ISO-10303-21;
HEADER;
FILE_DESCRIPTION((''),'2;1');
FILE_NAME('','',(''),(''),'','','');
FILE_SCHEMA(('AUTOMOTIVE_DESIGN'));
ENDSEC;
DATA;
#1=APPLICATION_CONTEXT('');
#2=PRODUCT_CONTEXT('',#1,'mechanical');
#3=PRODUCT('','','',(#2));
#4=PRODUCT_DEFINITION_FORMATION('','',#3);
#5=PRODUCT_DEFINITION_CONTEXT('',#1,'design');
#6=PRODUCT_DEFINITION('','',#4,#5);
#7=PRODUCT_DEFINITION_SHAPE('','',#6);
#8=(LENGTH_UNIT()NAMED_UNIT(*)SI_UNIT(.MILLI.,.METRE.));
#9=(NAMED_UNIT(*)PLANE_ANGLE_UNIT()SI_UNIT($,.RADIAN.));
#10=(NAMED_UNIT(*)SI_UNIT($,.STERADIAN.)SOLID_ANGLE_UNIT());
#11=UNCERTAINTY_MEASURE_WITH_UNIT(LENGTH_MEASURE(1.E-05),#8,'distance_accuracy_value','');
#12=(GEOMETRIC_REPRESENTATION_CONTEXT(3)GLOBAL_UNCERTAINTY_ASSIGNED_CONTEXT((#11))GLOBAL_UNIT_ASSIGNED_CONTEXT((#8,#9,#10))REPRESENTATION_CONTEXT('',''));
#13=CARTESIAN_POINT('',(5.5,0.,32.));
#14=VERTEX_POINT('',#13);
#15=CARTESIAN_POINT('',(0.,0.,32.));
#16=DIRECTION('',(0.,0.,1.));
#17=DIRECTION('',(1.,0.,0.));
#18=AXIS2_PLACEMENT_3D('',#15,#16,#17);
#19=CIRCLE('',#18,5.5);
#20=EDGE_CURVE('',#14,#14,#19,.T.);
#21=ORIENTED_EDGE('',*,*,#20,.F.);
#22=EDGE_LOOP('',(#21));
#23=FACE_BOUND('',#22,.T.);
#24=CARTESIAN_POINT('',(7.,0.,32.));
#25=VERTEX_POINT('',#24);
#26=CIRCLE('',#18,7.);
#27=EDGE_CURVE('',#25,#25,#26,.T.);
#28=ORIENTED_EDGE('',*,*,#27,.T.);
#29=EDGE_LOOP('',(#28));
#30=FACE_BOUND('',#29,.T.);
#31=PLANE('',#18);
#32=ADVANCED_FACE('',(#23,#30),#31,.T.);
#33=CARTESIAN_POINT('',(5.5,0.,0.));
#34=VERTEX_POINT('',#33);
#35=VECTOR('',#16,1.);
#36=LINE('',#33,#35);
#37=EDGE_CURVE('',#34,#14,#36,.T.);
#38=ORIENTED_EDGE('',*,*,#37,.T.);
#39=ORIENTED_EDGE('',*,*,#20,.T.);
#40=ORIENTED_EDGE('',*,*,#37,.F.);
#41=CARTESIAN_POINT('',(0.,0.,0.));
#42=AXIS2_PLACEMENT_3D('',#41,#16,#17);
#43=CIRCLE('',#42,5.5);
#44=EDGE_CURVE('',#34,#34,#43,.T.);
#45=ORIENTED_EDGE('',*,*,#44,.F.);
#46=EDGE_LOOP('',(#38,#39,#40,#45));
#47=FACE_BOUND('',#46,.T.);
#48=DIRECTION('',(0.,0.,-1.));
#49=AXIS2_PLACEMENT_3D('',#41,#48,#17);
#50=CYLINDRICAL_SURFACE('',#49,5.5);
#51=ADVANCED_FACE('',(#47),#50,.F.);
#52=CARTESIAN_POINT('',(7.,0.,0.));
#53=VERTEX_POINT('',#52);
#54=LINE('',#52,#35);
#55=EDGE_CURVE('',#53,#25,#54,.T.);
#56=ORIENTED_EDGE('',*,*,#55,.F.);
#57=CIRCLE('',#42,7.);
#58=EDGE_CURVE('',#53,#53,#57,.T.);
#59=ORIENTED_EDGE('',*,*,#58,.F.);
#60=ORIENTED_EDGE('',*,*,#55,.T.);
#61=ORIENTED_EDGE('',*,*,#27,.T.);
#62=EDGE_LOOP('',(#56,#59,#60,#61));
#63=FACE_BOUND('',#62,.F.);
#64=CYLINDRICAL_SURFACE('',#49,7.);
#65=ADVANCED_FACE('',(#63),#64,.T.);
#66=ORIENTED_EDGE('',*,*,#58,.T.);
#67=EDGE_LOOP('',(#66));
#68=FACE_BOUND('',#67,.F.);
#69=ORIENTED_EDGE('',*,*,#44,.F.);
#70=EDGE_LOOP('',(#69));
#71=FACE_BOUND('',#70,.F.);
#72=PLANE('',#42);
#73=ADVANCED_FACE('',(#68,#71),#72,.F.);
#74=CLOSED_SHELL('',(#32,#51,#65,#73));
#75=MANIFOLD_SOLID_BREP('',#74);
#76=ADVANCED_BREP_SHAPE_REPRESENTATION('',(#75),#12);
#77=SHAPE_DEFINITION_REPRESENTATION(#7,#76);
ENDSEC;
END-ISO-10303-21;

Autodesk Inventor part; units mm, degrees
ref_plane "YZ Plane" through (0, 0, 0) normal (1, 0, 0) x (0, 1, 0)
ref_plane "XZ Plane" through (0, 0, 0) normal (0, 1, 0) x (-1, 0, 0)
ref_plane "XY Plane" through (0, 0, 0) normal (0, 0, 1) x (1, 0, 0)
sketch "Sketch1" plane through (0, 0, 0) normal (0, 0, 1) x (1, 0, 0)
  point P0 (0, 0)
sketch "Sketch2" plane through (0, 0, 0) normal (0, 0, 1) x (1, 0, 0)
  circle A0 centre (0, 0) radius 7
  circle A1 centre (0, 0) radius 5.5
  dimension "d0" = 14
  dimension "d1" = 11
extrude "Extrusion1" add sketch "Sketch2" along normal blind 32
properties part number "tuleja_1"
